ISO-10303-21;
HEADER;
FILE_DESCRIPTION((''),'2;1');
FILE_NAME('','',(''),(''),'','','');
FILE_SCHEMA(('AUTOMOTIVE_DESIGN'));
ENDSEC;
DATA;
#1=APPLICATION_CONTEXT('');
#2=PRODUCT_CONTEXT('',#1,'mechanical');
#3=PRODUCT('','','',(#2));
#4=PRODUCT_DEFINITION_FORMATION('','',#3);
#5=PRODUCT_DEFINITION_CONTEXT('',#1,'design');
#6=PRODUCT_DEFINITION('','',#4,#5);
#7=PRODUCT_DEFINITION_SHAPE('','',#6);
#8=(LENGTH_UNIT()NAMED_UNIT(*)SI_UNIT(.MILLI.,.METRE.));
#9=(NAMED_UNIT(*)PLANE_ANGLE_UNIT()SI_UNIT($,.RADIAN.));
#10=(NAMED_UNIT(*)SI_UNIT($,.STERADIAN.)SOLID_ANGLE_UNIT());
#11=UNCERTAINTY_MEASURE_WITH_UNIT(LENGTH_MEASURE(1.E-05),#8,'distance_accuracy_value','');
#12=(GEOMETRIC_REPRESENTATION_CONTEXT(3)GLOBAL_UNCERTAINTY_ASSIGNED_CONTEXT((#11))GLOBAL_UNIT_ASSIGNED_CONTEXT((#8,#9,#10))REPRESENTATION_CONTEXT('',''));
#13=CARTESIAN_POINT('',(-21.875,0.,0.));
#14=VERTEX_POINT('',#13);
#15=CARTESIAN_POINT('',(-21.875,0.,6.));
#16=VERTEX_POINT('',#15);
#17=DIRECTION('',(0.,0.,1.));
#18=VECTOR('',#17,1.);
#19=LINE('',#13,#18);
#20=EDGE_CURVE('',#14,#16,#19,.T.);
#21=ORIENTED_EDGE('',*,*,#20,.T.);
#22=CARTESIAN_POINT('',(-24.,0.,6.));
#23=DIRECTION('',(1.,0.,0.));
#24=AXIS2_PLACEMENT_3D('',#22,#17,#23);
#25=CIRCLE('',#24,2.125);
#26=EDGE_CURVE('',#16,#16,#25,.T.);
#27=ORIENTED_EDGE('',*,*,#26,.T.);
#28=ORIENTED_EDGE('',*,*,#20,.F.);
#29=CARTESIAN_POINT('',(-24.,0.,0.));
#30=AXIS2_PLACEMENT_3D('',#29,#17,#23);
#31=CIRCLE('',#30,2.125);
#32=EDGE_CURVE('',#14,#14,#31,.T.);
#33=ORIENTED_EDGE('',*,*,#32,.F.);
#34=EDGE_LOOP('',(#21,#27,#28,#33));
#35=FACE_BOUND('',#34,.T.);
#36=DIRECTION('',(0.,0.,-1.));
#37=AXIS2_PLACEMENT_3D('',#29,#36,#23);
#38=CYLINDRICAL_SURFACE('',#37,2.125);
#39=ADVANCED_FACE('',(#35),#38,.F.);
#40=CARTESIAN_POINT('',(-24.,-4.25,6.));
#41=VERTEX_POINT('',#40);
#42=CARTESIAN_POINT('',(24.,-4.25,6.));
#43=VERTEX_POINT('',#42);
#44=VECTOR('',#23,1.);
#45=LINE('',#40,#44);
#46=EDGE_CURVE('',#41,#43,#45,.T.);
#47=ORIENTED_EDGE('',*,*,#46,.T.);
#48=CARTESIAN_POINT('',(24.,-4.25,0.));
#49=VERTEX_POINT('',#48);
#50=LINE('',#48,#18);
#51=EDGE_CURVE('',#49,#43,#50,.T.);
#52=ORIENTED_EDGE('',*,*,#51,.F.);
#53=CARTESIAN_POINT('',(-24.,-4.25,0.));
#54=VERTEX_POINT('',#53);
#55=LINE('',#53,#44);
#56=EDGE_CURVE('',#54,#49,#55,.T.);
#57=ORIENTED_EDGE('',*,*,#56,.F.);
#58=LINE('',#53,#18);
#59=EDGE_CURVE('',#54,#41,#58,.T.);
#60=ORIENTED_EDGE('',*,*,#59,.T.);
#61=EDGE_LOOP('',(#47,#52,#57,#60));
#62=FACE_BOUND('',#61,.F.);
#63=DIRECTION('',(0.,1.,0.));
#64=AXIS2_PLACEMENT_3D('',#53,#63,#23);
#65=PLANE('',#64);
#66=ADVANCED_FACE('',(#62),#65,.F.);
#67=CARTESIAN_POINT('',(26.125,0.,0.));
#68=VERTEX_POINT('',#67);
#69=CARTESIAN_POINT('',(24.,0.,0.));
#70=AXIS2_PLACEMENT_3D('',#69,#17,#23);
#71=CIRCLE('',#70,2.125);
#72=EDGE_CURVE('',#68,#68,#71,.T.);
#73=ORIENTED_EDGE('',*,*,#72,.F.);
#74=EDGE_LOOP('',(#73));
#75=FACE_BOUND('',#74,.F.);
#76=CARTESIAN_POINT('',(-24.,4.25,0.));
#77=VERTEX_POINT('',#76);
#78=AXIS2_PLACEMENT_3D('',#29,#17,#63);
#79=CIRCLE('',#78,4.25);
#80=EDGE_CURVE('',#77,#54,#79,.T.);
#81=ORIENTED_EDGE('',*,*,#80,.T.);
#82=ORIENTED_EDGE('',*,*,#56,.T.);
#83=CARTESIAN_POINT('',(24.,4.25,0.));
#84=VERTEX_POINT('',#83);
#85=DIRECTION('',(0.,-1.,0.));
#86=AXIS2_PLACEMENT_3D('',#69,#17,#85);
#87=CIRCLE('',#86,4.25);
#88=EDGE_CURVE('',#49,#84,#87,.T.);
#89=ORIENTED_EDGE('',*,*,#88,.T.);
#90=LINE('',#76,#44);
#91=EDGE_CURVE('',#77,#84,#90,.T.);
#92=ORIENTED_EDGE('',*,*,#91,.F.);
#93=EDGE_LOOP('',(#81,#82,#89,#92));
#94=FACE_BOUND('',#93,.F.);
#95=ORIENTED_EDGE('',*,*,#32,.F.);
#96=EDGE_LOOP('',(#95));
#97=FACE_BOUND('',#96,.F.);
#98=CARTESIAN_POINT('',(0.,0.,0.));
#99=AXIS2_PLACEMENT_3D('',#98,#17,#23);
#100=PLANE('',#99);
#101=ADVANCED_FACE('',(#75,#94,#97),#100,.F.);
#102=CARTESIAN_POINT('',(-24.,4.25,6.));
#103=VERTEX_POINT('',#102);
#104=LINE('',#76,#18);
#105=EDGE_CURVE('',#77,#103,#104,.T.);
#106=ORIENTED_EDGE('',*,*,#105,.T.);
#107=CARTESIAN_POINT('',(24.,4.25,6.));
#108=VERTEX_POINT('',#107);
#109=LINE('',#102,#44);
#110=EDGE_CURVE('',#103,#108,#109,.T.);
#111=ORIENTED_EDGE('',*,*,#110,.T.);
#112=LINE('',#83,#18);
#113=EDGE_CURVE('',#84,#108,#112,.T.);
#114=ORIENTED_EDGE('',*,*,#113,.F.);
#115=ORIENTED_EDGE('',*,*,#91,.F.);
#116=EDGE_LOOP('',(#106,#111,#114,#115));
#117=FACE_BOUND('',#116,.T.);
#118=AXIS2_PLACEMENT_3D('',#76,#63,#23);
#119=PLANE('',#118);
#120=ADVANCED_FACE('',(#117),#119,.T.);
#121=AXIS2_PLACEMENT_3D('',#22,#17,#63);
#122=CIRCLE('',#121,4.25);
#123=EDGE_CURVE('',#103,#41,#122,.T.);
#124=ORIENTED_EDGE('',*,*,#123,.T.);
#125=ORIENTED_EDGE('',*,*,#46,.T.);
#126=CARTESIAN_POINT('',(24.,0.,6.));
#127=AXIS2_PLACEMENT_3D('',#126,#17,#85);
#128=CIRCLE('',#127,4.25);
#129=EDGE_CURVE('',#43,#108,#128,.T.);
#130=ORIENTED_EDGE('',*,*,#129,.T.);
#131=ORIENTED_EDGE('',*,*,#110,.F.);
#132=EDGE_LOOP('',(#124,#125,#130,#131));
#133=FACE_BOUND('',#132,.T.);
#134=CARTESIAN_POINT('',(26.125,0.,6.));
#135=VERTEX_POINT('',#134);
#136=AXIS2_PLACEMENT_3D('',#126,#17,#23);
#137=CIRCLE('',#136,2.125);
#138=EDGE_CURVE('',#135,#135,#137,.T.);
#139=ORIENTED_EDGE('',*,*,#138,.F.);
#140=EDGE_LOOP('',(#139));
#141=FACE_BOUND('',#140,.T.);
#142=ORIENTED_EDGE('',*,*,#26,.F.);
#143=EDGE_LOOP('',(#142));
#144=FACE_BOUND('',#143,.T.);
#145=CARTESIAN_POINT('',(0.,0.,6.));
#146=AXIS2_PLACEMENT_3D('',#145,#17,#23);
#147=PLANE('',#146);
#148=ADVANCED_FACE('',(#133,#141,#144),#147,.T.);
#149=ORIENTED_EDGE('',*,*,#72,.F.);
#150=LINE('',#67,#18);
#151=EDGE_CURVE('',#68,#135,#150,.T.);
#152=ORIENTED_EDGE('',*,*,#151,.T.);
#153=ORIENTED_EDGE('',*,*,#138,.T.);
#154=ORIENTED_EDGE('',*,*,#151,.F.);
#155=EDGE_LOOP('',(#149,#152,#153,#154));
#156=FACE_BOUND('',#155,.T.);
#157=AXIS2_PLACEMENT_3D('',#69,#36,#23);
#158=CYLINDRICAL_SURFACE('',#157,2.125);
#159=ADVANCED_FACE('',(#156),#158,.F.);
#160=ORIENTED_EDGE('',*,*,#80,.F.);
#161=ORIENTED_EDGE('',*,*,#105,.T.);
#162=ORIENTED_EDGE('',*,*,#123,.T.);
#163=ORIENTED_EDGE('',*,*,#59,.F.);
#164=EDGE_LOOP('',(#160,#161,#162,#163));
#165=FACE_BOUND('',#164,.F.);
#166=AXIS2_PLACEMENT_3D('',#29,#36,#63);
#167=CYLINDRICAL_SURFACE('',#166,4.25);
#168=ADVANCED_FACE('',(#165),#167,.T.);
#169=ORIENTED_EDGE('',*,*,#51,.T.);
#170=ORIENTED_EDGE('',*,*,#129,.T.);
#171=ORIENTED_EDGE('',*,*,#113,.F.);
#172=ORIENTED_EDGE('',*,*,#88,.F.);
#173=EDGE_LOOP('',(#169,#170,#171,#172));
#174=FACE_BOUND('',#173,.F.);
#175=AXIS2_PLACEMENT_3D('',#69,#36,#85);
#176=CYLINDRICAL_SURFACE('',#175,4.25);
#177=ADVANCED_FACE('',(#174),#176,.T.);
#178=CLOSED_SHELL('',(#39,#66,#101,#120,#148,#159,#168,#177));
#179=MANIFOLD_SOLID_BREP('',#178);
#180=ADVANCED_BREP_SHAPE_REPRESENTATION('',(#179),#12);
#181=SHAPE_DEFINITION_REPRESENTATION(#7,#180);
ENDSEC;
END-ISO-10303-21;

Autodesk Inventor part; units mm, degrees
ref_plane "YZ Plane" through (0, 0, 0) normal (1, 0, 0) x (0, 1, 0)
ref_plane "XZ Plane" through (0, 0, 0) normal (0, 1, 0) x (-1, 0, 0)
sketch "Sketch1" plane through (0, 0, 0) normal (0, 0, 1) x (1, 0, 0)
  circle A0 centre (-24, 0) radius 2.125
  circle A1 centre (24, 0) radius 2.125
  line L0 (-24, 0) -> (0, 0) construction
  line L1 (0, 0) -> (24, 0) construction
  line L2 (-24, 4.25) -> (24, 4.25)
  line L3 (-24, -4.25) -> (24, -4.25)
  line L4 (0, 4.25) -> (0, -4.25) construction
  arc A2 (-24, 4.25) -> (-24, -4.25) centre (-24, 0) ccw
  arc A3 (24, -4.25) -> (24, 4.25) centre (24, 0) ccw
  point P0 (-24, -2.125)
  dimension "d0" = 4.25
  dimension "d1" = 2.125
  dimension "d2" = 24
extrude "Extrusion1" add sketch "Sketch1" along normal blind 6
properties part number "2HoleLinkage"
